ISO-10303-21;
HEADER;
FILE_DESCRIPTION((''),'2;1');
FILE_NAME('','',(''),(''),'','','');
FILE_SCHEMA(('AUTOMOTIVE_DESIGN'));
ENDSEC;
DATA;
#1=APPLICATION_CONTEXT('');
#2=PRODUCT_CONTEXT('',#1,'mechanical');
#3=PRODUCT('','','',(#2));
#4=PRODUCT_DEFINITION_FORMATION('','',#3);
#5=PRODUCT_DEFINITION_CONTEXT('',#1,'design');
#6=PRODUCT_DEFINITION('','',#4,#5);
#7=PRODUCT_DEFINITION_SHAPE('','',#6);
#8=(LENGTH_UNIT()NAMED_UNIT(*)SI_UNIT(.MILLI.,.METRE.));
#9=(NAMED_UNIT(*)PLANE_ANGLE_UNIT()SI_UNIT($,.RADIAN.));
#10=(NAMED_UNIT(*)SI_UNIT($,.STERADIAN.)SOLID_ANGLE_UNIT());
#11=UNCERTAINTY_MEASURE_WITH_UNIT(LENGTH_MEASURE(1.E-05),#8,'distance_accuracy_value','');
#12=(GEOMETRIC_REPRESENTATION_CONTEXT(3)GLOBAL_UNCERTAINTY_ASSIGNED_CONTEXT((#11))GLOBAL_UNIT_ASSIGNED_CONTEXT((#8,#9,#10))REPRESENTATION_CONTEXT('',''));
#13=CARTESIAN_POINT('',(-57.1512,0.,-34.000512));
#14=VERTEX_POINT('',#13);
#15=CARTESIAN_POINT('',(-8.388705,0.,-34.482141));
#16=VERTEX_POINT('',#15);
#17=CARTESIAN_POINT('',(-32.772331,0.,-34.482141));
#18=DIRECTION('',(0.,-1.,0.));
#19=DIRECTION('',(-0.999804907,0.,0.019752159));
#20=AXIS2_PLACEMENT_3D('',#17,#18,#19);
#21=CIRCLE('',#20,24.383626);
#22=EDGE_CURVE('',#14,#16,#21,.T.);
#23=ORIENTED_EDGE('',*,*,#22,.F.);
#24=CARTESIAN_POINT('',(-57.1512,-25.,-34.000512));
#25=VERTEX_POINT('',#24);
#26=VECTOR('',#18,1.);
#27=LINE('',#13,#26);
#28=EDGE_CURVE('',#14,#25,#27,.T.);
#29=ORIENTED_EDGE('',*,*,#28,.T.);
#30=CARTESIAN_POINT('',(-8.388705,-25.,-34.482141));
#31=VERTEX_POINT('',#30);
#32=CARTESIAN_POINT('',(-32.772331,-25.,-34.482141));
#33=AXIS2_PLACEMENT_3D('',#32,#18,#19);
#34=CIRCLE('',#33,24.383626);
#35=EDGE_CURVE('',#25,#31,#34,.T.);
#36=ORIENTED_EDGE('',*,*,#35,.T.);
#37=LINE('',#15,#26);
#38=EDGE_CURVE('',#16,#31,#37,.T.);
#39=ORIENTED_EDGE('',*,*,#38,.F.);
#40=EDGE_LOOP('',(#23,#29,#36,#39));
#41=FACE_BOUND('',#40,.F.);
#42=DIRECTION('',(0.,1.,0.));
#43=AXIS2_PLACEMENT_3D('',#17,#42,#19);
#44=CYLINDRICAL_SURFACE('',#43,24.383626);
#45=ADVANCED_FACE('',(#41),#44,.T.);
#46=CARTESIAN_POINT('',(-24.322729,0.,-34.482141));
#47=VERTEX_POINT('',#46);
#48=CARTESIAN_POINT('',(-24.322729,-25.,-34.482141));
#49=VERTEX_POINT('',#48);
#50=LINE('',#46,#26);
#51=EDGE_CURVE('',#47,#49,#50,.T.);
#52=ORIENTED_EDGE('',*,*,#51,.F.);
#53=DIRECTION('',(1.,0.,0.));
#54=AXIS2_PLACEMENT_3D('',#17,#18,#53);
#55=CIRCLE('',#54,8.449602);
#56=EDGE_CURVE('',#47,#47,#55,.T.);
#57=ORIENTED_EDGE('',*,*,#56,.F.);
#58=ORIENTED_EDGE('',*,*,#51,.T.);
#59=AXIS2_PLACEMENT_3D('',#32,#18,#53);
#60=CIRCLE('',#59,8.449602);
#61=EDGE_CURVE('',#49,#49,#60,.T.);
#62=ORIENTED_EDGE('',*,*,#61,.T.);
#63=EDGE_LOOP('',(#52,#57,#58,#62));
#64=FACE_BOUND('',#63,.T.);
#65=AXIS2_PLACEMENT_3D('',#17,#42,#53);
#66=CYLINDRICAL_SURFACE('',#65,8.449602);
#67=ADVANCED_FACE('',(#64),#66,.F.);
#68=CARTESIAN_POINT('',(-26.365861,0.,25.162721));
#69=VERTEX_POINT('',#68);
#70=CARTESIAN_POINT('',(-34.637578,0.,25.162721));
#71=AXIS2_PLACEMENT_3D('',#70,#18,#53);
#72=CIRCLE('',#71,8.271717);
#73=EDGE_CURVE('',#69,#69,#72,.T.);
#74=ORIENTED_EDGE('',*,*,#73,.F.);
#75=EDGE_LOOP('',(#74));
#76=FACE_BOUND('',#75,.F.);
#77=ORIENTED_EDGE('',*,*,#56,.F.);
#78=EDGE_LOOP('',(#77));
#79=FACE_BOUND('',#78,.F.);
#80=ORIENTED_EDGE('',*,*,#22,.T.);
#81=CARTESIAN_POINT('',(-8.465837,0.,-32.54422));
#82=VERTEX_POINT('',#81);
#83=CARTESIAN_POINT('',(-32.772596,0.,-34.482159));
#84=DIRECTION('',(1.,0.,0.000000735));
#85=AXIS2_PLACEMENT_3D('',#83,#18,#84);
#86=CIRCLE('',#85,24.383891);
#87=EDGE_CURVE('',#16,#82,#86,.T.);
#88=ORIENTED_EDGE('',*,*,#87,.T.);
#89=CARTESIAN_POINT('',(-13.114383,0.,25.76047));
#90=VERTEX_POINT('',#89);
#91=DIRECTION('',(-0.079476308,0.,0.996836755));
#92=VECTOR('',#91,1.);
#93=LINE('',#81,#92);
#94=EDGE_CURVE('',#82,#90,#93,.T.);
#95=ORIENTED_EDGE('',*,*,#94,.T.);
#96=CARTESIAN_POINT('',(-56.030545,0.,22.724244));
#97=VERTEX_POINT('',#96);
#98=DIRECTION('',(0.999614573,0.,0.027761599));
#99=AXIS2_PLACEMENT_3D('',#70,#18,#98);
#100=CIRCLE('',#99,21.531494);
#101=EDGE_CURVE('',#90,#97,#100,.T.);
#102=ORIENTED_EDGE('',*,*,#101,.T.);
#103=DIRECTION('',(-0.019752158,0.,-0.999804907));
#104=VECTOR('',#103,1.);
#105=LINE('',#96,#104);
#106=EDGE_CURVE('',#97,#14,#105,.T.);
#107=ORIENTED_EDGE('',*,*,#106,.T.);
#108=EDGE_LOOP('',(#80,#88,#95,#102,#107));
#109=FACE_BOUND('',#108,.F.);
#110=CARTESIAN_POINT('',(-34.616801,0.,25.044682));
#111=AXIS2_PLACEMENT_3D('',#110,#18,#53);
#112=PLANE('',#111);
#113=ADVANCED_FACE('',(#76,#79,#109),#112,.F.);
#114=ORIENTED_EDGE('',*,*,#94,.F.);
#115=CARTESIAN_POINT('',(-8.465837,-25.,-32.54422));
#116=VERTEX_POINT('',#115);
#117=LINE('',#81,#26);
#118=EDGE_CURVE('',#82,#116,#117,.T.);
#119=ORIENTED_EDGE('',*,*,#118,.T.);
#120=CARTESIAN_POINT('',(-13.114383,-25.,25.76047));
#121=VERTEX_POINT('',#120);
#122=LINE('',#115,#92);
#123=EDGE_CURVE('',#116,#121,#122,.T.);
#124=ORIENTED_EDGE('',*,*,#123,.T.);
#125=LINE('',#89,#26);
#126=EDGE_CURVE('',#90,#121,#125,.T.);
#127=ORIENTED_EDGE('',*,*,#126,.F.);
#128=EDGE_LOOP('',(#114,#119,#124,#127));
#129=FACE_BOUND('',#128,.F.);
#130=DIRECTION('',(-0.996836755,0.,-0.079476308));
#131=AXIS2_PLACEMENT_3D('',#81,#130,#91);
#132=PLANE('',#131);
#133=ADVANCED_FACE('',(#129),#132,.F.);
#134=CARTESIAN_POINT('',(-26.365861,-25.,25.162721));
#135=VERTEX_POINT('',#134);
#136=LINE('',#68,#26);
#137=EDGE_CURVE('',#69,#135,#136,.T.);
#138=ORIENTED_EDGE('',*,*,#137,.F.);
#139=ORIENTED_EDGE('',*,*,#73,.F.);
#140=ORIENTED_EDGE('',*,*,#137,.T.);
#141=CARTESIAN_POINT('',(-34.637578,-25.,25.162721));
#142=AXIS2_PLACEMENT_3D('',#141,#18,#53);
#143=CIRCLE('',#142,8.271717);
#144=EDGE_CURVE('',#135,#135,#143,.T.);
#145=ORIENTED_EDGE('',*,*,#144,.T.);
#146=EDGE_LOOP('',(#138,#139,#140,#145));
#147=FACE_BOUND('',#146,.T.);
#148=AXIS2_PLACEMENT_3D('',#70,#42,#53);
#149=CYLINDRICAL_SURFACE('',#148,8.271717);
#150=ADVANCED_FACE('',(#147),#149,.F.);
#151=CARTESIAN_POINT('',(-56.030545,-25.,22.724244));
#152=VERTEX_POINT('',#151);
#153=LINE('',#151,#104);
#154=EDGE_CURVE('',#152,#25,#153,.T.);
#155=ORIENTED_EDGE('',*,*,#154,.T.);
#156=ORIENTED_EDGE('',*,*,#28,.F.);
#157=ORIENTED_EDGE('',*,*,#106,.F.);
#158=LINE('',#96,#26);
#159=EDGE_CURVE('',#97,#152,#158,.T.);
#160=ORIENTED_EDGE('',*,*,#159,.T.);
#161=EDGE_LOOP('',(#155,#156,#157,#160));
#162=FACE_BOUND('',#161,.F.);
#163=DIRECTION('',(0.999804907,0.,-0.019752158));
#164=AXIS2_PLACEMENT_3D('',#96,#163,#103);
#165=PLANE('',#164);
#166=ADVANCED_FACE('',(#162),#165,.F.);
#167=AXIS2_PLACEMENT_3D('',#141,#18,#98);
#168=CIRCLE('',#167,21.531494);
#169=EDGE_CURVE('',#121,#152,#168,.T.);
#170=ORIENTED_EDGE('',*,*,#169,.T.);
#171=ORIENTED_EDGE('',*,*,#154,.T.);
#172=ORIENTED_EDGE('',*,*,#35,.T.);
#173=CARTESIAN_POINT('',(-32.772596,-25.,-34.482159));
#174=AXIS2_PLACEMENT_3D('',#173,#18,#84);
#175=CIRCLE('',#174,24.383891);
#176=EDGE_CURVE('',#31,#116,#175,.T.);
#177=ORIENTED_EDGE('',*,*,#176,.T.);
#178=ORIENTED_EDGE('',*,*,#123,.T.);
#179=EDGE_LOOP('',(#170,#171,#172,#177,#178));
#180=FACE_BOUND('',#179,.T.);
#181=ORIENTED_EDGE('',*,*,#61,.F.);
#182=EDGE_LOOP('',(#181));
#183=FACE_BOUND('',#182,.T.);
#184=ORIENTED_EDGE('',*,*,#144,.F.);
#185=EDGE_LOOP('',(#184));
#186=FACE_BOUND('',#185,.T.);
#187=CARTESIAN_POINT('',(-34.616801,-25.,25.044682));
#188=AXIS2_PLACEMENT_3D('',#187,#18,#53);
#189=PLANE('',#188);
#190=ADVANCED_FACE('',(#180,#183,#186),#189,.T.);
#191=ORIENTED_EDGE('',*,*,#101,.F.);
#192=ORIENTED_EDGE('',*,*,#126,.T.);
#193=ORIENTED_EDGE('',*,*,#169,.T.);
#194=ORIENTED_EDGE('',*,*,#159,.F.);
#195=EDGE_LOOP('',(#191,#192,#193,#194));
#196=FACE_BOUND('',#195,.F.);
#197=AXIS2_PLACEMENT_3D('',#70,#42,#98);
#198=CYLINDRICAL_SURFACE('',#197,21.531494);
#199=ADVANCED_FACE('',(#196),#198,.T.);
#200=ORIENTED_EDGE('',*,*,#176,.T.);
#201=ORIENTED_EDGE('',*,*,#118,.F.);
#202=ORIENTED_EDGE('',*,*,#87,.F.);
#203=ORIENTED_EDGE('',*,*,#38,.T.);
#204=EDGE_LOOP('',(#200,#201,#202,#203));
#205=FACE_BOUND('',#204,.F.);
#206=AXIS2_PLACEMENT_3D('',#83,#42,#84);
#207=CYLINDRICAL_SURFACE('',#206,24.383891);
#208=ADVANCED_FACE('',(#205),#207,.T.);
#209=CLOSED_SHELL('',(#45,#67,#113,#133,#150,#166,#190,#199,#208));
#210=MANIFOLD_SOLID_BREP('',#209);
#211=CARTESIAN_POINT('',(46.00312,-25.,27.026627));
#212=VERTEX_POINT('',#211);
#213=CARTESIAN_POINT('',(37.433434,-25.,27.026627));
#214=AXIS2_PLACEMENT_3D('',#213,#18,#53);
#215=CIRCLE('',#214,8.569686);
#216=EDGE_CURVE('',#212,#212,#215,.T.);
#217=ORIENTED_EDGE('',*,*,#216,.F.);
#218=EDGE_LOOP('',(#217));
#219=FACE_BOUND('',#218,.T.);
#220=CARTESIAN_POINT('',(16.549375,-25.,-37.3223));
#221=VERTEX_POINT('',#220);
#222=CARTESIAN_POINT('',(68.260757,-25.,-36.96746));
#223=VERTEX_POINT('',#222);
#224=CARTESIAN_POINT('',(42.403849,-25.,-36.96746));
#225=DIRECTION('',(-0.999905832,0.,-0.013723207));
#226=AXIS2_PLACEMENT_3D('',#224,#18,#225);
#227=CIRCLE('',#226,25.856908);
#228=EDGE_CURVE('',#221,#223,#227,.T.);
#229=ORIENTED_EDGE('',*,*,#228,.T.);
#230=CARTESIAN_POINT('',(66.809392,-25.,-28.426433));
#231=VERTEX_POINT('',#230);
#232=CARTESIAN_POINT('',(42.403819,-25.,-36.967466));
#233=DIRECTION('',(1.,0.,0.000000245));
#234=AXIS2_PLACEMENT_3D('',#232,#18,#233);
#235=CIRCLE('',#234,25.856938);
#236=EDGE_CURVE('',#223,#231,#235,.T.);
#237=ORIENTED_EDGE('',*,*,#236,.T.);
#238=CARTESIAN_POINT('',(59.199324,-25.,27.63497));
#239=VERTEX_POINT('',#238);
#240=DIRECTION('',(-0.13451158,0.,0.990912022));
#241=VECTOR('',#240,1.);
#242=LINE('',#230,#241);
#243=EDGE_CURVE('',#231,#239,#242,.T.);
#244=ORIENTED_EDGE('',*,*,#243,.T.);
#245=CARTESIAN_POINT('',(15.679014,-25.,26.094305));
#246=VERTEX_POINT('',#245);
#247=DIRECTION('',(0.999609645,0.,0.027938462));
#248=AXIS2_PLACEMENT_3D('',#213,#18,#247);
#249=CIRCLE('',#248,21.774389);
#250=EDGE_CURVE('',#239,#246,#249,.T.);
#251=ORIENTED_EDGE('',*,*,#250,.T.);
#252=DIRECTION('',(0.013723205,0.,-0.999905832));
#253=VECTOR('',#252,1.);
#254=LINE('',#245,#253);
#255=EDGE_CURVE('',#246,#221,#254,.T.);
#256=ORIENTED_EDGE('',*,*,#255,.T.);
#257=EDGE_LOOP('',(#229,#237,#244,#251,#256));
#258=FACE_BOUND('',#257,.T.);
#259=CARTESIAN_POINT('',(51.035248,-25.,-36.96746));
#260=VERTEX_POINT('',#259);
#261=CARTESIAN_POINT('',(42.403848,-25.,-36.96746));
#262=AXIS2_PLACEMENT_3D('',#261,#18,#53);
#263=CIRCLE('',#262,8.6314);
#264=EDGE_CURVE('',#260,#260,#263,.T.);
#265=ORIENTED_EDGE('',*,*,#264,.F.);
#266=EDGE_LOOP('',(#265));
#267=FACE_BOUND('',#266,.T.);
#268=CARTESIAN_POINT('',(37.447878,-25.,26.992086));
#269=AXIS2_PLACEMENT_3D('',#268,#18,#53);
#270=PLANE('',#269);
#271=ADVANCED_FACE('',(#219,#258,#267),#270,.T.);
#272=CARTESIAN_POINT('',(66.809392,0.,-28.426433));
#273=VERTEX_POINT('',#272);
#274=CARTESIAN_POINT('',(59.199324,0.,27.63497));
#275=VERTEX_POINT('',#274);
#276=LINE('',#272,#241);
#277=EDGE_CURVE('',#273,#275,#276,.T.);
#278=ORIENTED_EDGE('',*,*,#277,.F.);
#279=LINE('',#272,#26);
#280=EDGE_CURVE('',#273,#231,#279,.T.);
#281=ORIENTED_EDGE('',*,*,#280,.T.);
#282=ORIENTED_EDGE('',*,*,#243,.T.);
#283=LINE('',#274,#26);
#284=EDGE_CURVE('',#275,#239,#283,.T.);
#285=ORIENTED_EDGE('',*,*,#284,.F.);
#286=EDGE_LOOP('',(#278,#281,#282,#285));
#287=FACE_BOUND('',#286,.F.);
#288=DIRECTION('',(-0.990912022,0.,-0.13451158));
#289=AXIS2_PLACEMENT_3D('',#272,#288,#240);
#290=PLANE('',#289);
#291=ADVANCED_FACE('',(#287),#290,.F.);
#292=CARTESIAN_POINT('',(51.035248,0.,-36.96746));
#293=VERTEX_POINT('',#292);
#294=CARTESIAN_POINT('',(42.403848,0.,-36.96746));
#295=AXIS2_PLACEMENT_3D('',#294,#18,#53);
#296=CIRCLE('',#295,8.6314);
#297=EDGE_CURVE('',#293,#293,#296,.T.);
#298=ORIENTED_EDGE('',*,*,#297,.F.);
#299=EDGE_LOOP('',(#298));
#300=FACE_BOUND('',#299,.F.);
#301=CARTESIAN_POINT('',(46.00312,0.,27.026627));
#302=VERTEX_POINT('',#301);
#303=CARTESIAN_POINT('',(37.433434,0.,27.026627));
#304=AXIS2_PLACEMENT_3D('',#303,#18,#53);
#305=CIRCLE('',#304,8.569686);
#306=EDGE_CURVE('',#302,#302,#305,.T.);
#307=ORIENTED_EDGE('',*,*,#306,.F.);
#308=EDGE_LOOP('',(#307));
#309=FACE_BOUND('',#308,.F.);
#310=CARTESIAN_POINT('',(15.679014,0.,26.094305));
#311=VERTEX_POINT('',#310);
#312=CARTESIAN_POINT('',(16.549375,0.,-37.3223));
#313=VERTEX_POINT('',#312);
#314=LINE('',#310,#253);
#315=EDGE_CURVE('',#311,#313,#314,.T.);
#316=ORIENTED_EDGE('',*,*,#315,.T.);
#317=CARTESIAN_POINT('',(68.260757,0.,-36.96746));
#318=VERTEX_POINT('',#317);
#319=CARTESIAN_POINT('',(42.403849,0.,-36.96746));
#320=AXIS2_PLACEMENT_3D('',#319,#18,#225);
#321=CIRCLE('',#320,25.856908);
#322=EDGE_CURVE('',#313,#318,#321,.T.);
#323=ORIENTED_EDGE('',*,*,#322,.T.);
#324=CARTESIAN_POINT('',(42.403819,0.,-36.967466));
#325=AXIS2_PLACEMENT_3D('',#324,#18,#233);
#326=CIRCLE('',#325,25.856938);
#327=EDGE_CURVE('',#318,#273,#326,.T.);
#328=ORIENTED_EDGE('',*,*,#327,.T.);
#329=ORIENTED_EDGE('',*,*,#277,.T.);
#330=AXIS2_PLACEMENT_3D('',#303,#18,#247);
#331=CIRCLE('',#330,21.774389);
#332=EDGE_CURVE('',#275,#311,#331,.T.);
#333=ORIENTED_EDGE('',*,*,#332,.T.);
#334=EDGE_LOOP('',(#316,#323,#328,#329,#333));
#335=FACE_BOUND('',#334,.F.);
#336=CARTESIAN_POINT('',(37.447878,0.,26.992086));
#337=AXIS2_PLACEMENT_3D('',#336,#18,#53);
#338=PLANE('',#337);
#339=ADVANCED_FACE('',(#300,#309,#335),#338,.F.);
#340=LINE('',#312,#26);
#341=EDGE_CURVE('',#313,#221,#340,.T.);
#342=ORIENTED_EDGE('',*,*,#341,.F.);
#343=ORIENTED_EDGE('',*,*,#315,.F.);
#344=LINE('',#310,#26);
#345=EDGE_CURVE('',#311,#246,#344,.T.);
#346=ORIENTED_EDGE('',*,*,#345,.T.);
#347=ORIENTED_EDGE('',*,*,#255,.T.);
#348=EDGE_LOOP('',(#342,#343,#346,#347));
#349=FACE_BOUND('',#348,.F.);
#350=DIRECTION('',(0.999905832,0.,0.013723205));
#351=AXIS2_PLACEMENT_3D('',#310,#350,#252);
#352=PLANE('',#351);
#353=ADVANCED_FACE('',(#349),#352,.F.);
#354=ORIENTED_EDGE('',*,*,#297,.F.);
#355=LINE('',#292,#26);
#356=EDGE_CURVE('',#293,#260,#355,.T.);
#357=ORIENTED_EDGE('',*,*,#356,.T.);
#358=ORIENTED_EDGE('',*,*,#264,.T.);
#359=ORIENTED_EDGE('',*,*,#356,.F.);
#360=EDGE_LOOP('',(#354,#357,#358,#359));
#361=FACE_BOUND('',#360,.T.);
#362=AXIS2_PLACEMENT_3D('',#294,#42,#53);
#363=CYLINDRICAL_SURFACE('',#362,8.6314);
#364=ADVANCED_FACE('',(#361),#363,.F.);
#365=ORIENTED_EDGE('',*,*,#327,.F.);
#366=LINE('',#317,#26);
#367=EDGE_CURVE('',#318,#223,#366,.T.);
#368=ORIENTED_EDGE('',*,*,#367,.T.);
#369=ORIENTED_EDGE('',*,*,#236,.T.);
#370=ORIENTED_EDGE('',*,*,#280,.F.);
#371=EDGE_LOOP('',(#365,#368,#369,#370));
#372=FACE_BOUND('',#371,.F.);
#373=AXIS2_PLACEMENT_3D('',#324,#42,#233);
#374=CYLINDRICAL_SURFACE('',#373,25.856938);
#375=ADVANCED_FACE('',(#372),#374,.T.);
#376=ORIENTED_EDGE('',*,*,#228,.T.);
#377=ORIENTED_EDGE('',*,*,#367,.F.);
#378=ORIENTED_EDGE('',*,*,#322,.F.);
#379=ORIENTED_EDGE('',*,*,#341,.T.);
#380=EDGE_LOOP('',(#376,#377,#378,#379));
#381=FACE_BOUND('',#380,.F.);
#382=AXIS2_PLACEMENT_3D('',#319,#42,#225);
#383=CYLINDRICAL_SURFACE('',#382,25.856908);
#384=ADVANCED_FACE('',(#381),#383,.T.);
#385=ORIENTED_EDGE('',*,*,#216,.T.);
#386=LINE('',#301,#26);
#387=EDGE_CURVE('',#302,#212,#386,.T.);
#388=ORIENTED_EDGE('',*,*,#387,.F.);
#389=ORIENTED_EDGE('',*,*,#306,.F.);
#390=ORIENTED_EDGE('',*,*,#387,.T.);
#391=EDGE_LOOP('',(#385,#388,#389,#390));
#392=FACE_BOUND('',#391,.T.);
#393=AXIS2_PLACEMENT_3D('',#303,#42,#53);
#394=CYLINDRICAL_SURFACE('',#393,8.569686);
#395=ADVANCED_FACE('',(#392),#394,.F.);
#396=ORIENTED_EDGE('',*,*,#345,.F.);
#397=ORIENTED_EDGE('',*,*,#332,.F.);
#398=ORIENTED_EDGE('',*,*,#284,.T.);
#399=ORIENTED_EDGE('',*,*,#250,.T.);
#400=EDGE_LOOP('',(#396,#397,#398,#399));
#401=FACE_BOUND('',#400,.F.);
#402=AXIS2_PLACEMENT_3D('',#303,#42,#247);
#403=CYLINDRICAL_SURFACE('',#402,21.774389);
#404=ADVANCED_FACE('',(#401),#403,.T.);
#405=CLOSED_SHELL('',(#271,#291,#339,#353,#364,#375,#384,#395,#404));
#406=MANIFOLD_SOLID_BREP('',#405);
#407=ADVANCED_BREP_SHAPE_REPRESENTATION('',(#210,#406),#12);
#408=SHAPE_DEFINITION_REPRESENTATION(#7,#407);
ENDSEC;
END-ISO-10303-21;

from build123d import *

# Parameters (mm, degrees)
F0_R     = 8.569686
F0_R_2   = 8.6314
F0_R_3   = 8.271717
F0_R_4   = 8.449602
F1_DEPTH = 25


with BuildPart() as f1:
    # F0 (on Front) → F1 (new body)
    with BuildSketch(Plane.XZ):
        with BuildLine():
            ThreePointArc((15.679014, 26.094305), (37.899702, 5.257231), (59.207823, 27.026627))
            ThreePointArc((59.207823, 27.026627), (59.205698, 27.330828), (59.199324, 27.63497))
            ThreePointArc((59.199324, 27.63497), (36.663081, 48.787385), (15.679014, 26.094305))
        make_face()
        with Locations((37.433434, 27.026627)):
            Circle(F0_R, mode=Mode.SUBTRACT)
        with BuildLine():
            ThreePointArc((59.199324, 27.63497), (59.205698, 27.330828), (59.207823, 27.026627))
            ThreePointArc((59.207823, 27.026627), (37.899702, 5.257231), (15.679014, 26.094305))
            Line((15.679014, 26.094305), (16.549375, -37.3223))
            ThreePointArc((16.549375, -37.3223), (37.897302, -11.506299), (66.809392, -28.426433))
            Line((66.809392, -28.426433), (59.199324, 27.63497))
        make_face()
        with BuildLine():
            ThreePointArc((68.260757, -36.96746), (67.895333, -32.635728), (66.809392, -28.426433))
            ThreePointArc((66.809392, -28.426433), (37.897302, -11.506299), (16.549375, -37.3223))
            ThreePointArc((16.549375, -37.3223), (42.581272, -62.82376), (68.260757, -36.96746))
        make_face()
        with Locations((42.403848, -36.96746)):
            Circle(F0_R_2, mode=Mode.SUBTRACT)
        with BuildLine():
            ThreePointArc((-56.030545, 22.724244), (-33.416373, 3.665887), (-13.106084, 25.162721))
            ThreePointArc((-13.106084, 25.162721), (-13.108159, 25.461624), (-13.114383, 25.76047))
            ThreePointArc((-13.114383, 25.76047), (-36.157087, 46.640531), (-56.030545, 22.724244))
        make_face()
        with Locations((-34.637578, 25.162721)):
            Circle(F0_R_3, mode=Mode.SUBTRACT)
        with BuildLine():
            ThreePointArc((-13.114383, 25.76047), (-13.108159, 25.461624), (-13.106084, 25.162721))
            ThreePointArc((-13.106084, 25.162721), (-33.416373, 3.665887), (-56.030545, 22.724244))
            Line((-56.030545, 22.724244), (-57.1512, -34.000512))
            ThreePointArc((-57.1512, -34.000512), (-33.501376, -10.109417), (-8.465837, -32.54422))
            Line((-8.465837, -32.54422), (-13.114383, 25.76047))
        make_face()
        with BuildLine():
            ThreePointArc((-8.388705, -34.482141), (-8.407996, -33.512413), (-8.465837, -32.54422))
            ThreePointArc((-8.465837, -32.54422), (-33.501376, -10.109417), (-57.1512, -34.000512))
            ThreePointArc((-57.1512, -34.000512), (-33.013157, -58.864578), (-8.388705, -34.482141))
        make_face()
        with Locations((-32.772331, -34.482141)):
            Circle(F0_R_4, mode=Mode.SUBTRACT)
    extrude(amount=F1_DEPTH)


solid = f1.part
